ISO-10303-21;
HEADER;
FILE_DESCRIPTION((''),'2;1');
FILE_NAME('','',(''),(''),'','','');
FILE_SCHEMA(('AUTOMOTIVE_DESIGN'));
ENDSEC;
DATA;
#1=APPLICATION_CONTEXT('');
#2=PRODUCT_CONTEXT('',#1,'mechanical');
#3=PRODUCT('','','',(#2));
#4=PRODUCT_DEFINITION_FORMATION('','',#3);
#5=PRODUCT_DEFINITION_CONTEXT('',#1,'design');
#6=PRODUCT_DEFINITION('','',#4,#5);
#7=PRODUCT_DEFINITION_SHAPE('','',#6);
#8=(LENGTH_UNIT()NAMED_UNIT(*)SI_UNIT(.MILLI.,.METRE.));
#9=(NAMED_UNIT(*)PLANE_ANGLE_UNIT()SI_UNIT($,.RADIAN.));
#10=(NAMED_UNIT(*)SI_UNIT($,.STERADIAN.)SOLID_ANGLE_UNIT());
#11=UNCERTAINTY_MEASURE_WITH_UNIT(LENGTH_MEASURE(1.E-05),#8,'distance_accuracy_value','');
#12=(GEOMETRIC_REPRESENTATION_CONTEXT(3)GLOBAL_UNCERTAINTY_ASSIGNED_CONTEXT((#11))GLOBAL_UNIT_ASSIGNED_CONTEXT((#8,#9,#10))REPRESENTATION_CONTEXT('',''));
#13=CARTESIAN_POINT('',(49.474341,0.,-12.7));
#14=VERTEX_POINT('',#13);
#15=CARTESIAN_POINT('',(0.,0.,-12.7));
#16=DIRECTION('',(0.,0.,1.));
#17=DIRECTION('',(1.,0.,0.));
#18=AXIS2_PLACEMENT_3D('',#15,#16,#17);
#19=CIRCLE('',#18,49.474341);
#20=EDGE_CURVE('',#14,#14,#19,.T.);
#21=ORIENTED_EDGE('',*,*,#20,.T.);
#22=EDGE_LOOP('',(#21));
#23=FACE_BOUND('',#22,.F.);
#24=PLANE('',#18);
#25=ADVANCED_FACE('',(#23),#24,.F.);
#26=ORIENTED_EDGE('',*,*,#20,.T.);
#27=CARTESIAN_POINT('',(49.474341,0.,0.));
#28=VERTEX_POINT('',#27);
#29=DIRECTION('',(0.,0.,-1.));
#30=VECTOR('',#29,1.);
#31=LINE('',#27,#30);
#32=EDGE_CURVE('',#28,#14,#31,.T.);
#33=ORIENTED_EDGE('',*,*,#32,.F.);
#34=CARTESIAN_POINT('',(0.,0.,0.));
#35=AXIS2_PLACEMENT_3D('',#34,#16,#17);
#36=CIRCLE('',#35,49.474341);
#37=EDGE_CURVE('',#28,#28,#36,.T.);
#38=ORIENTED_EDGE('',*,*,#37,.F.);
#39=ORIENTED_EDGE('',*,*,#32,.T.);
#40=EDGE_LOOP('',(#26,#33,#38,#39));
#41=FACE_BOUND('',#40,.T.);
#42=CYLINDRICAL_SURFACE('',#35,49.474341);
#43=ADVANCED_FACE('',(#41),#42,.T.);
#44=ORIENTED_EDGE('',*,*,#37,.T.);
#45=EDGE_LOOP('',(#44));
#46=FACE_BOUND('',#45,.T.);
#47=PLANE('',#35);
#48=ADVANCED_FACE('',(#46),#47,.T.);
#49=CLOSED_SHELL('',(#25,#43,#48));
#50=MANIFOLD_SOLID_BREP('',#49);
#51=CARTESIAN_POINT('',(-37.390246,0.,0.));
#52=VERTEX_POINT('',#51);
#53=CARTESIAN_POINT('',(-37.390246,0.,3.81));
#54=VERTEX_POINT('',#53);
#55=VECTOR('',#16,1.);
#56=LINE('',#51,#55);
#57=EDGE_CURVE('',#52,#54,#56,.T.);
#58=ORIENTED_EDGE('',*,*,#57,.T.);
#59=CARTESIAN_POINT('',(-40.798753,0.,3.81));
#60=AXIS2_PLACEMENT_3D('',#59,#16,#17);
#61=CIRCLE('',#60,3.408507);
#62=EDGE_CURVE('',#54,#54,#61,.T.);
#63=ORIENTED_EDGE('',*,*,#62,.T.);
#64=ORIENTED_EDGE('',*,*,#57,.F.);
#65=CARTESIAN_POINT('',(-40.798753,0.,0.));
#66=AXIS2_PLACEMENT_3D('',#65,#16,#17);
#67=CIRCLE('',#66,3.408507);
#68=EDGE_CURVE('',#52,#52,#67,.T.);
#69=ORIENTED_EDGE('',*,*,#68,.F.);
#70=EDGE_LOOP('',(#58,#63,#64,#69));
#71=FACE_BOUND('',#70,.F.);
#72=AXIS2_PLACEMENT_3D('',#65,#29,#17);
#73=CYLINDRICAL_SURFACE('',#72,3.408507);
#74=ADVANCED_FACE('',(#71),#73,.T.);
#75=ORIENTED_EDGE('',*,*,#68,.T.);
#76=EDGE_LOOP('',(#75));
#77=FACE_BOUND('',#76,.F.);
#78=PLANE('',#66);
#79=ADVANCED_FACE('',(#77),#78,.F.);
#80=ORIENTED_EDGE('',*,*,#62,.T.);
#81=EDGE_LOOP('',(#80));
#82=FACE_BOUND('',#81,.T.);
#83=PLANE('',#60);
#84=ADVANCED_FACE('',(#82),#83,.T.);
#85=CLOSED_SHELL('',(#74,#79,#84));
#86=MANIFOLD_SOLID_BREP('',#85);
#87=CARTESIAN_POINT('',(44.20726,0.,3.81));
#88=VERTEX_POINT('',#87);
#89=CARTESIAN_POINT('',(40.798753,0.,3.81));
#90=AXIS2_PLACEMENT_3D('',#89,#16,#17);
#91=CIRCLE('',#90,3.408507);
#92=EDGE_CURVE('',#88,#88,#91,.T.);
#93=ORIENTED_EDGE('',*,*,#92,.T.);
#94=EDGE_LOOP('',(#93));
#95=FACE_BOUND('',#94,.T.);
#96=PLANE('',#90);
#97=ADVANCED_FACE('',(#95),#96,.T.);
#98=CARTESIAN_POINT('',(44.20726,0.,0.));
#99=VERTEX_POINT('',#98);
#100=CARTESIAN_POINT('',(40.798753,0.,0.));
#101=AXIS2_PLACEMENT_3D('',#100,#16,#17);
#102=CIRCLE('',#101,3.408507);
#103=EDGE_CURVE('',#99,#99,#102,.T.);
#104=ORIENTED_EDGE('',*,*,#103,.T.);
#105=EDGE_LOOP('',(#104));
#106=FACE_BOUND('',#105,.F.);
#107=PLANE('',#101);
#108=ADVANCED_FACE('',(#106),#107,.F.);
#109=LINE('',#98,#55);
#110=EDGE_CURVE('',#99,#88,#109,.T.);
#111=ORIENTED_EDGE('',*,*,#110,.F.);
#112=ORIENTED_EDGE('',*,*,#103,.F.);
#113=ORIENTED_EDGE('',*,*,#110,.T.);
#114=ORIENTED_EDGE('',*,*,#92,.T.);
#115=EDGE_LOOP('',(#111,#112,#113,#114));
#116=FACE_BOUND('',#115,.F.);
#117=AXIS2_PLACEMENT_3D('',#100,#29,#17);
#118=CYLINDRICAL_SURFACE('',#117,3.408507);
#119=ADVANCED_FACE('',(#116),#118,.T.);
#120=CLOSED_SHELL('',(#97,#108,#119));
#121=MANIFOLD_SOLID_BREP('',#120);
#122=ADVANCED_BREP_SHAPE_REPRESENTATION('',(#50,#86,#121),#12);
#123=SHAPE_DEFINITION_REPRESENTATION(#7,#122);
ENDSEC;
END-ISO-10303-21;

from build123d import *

# Parameters (mm, degrees)
F0_R     = 49.474341
F1_DEPTH = 12.7
F2_R     = 3.408507
F3_DEPTH = 3.81


with BuildPart() as f1:
    # F0 (on Top) → F1 (new body)
    with BuildSketch(Plane.XY):
        Circle(F0_R)
    extrude(amount=-F1_DEPTH)


with BuildPart() as f3:
    # F2 (on Top) → F3 (new body)
    with BuildSketch(Plane.XY):
        with Locations((40.798753, 0)):
            Circle(F2_R)
        with Locations((-40.798753, 0)):
            Circle(F2_R)
    extrude(amount=F3_DEPTH)


solid = Compound([f1.part, f3.part])
